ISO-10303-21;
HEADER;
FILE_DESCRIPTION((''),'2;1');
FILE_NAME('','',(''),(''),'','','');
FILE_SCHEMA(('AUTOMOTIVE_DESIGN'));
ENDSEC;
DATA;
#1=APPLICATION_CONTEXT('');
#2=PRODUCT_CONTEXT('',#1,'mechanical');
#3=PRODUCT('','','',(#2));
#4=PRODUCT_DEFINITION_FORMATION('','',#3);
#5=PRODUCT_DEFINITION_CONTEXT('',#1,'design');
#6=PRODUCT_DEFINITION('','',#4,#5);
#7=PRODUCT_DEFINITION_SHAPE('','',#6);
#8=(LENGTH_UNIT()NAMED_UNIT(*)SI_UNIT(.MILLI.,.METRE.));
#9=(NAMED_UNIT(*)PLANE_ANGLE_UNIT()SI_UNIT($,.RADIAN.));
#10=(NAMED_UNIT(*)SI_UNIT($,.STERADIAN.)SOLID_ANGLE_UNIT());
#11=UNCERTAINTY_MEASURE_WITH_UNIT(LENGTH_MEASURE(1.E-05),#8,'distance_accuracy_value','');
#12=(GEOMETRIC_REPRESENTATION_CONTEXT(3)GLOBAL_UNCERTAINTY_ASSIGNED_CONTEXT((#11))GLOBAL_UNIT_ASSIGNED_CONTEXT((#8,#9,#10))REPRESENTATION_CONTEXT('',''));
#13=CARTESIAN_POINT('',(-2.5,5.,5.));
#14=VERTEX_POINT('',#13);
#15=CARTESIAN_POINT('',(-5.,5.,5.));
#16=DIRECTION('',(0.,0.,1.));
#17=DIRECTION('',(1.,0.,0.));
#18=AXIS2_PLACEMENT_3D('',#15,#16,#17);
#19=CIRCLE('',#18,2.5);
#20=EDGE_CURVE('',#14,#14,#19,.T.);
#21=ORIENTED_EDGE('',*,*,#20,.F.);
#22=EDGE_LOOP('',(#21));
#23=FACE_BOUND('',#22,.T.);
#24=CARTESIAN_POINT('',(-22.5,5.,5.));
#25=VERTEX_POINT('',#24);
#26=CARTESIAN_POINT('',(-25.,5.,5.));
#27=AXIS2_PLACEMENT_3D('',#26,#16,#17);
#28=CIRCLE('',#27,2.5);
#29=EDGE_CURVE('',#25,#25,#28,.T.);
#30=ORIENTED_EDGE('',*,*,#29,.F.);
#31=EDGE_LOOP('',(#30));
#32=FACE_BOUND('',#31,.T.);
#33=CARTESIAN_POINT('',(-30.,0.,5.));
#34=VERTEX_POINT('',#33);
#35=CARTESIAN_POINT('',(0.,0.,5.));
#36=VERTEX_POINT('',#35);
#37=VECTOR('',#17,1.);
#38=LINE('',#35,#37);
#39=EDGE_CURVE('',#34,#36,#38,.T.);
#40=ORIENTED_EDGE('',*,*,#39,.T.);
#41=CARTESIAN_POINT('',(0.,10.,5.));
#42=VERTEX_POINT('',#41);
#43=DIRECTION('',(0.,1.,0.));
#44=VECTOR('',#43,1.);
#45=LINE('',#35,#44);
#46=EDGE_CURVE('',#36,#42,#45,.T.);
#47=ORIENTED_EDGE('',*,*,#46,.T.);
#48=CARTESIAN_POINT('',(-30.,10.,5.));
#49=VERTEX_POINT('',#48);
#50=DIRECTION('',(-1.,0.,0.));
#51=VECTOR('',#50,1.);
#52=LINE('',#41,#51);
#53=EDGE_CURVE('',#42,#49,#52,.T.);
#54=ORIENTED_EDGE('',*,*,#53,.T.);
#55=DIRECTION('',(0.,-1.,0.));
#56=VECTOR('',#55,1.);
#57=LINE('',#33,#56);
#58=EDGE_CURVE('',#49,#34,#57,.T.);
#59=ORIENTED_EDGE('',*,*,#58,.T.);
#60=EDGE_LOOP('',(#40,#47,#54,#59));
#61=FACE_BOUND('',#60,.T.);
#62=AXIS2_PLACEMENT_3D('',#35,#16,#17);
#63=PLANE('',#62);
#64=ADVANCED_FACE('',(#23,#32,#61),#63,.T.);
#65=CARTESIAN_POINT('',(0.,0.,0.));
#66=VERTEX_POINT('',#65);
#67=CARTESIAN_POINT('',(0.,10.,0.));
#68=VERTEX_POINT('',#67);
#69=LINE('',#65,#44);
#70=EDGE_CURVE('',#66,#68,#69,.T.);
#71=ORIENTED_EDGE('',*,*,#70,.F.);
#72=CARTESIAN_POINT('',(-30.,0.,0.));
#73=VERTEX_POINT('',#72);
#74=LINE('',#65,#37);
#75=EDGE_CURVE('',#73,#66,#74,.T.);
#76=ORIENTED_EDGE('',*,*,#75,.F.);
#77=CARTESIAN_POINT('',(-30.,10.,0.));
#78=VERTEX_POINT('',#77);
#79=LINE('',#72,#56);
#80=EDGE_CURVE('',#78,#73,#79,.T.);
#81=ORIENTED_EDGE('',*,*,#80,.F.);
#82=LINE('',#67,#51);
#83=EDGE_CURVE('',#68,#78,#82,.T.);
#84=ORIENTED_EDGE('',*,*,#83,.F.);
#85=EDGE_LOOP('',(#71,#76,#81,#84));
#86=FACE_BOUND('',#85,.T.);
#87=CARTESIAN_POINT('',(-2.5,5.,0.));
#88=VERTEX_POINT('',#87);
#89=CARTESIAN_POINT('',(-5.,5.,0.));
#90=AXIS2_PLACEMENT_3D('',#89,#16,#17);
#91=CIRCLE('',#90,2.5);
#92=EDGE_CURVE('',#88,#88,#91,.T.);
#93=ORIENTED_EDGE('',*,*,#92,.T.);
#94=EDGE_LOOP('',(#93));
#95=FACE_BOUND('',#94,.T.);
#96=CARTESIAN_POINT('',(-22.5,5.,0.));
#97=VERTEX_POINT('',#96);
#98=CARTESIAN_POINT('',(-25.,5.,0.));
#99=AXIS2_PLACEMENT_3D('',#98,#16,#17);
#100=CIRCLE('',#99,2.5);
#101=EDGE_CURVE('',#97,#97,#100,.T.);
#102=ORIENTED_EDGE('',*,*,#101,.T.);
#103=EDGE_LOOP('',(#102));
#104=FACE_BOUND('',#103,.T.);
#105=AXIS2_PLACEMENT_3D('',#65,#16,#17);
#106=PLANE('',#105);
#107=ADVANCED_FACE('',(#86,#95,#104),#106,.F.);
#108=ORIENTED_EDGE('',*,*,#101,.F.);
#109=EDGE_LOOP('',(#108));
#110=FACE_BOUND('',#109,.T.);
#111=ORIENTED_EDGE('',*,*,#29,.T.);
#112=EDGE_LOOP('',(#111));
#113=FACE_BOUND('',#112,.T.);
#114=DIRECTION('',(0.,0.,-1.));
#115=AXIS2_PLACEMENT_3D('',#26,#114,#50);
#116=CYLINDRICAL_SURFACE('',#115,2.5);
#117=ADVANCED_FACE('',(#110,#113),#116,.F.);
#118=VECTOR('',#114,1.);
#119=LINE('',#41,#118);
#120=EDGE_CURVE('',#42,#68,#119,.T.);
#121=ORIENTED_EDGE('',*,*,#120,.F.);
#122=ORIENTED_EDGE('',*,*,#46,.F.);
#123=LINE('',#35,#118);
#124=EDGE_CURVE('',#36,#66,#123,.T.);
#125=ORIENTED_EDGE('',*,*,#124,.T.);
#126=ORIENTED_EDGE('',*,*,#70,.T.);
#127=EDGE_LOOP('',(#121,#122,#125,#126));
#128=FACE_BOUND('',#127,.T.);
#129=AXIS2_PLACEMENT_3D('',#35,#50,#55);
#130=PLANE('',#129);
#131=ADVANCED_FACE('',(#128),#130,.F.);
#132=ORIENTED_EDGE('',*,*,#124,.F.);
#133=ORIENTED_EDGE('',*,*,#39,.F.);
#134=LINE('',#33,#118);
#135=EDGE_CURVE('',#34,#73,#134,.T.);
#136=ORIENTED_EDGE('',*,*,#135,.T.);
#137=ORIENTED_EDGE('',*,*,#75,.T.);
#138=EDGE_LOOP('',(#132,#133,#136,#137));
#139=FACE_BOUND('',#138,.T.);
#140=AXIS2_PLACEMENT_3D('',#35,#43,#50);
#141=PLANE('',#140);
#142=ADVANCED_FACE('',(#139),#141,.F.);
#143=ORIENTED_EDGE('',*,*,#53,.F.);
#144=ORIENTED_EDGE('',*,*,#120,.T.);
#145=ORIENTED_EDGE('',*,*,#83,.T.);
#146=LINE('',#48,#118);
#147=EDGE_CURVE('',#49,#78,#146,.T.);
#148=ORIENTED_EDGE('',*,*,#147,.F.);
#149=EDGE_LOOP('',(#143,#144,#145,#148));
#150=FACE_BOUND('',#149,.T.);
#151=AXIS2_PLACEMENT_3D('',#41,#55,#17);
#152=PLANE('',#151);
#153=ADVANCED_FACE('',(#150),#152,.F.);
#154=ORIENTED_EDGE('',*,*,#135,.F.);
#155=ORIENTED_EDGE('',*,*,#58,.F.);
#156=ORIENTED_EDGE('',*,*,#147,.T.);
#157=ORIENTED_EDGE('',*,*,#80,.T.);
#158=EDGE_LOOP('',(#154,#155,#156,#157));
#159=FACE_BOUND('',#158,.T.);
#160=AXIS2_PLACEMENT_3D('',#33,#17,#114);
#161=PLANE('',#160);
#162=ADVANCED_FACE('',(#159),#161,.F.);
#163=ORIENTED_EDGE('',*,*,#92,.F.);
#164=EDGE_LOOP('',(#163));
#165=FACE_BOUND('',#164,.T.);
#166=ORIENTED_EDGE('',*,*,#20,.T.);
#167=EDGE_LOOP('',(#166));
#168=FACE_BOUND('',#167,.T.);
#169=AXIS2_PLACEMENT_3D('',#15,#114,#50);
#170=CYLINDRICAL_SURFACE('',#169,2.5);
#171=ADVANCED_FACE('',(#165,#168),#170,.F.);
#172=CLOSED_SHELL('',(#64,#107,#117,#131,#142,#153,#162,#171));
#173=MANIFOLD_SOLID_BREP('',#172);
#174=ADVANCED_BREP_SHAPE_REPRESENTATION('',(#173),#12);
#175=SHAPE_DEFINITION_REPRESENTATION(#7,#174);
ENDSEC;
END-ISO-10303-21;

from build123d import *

# Parameters (mm, degrees)
SKETCH1_W           = 30
SKETCH1_H           = 10
SKETCH1_R           = 2.5
BOSS_EXTRUDE1_DEPTH = 5


with BuildPart() as part:
    # Sketch1 → Boss-Extrude1 (new body)
    with BuildSketch(Plane.XY):
        with Locations((-15, 5)):
            Rectangle(SKETCH1_W, SKETCH1_H)
        with Locations((-25, 5)):
            Circle(SKETCH1_R, mode=Mode.SUBTRACT)
        with Locations((-5, 5)):
            Circle(SKETCH1_R, mode=Mode.SUBTRACT)
    extrude(amount=BOSS_EXTRUDE1_DEPTH)


solid = part.part
